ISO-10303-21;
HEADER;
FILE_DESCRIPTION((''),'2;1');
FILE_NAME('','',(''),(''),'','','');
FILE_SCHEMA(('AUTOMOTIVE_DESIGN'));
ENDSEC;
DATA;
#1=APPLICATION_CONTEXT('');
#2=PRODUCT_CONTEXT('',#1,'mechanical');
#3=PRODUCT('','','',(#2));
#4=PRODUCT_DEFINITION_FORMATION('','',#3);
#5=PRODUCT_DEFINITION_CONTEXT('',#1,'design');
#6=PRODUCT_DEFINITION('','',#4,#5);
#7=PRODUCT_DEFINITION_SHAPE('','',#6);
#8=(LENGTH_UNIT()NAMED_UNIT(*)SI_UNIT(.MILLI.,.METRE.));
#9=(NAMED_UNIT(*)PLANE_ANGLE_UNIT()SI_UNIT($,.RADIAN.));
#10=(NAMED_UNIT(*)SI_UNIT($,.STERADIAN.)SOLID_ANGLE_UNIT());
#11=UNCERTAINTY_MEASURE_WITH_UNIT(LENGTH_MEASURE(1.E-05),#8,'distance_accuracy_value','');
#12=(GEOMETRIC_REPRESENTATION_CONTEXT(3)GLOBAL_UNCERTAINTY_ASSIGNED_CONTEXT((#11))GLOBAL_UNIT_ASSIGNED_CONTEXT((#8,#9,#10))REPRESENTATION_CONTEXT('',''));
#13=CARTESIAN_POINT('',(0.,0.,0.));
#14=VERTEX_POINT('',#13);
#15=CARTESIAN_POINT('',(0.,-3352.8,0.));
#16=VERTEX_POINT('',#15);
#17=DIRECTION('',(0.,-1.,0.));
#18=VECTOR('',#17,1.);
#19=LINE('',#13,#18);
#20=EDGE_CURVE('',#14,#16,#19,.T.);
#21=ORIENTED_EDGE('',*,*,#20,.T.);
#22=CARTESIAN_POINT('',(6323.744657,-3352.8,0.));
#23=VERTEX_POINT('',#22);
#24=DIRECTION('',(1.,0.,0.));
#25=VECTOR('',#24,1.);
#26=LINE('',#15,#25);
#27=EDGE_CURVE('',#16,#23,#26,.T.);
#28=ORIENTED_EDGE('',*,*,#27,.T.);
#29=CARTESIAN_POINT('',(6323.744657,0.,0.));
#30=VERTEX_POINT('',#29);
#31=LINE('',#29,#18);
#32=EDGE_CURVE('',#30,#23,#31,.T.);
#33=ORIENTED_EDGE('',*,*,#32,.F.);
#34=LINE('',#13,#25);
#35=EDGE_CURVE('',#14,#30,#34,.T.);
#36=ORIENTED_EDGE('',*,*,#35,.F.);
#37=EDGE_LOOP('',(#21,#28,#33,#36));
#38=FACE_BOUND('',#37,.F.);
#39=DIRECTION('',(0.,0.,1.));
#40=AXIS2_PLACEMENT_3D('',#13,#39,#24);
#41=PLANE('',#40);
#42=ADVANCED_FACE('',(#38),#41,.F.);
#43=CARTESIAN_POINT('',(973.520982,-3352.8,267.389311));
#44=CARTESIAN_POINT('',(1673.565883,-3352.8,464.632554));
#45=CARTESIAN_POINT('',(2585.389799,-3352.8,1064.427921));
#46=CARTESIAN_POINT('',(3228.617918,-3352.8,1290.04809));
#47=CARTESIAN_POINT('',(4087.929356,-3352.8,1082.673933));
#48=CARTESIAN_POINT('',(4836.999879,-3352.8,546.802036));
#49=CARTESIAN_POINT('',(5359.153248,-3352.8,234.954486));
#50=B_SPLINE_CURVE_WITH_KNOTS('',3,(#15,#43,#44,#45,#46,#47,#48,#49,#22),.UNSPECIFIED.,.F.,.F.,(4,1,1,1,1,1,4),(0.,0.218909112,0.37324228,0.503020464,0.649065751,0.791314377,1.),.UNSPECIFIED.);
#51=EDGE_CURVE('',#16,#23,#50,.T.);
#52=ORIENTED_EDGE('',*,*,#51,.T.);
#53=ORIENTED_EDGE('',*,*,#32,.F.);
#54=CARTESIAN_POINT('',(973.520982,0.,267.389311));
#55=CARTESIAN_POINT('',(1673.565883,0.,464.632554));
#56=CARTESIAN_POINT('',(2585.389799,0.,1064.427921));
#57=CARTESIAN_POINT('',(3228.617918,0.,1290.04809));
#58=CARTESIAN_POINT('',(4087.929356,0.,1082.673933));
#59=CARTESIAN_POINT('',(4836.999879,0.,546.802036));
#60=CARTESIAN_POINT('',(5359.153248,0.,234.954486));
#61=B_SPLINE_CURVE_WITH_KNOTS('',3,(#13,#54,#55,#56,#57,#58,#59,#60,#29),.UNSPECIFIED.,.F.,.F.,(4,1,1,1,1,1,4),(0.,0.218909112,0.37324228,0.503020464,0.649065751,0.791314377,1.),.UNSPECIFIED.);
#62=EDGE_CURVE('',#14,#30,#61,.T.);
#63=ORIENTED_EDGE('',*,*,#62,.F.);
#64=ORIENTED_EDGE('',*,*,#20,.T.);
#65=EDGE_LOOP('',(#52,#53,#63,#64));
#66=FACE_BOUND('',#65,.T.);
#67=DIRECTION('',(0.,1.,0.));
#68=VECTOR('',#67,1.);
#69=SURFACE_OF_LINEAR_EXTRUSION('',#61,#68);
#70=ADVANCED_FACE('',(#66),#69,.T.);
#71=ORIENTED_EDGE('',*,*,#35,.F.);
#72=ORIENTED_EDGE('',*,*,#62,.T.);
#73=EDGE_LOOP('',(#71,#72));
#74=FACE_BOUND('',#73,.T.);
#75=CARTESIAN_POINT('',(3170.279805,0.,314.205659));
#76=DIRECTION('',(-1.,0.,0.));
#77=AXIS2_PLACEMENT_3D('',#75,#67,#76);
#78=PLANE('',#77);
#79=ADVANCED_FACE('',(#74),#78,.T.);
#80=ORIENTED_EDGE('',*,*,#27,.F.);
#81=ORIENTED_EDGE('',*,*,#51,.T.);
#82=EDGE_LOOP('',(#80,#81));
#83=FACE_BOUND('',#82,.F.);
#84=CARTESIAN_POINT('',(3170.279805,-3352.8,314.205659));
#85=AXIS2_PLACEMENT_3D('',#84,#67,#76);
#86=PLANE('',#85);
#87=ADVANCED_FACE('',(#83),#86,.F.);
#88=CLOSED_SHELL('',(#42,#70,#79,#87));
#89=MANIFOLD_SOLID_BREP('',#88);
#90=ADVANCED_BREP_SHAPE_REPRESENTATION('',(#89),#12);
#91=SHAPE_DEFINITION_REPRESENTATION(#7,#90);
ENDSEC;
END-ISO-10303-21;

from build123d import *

# Parameters (mm, degrees)
F1_DEPTH = 3352.8


with BuildPart() as f1:
    # F0 (on Front) → F1 (new body)
    with BuildSketch(Plane.XZ):
        with BuildLine():
            add(Edge.make_bspline(
                [(0, 0), (973.5209816043, 267.3893112519), (1673.5658828155, 464.6325542904), (2585.3897993581, 1064.427921036), (3228.6179180434, 1290.0480904089), (4087.929356349, 1082.6739332622), (4836.9998787088, 546.8020356772), (5359.1532476592, 234.9544862505), (6323.7446568204, 0)],
                knots=[0, 0, 0, 0, 0.2189091116, 0.3732422796, 0.5030204636, 0.649065751, 0.7913143766, 1, 1, 1, 1], degree=3))
            Line((0, 0), (6323.7446568204, 0))
        make_face()
    extrude(amount=F1_DEPTH)


solid = f1.part
